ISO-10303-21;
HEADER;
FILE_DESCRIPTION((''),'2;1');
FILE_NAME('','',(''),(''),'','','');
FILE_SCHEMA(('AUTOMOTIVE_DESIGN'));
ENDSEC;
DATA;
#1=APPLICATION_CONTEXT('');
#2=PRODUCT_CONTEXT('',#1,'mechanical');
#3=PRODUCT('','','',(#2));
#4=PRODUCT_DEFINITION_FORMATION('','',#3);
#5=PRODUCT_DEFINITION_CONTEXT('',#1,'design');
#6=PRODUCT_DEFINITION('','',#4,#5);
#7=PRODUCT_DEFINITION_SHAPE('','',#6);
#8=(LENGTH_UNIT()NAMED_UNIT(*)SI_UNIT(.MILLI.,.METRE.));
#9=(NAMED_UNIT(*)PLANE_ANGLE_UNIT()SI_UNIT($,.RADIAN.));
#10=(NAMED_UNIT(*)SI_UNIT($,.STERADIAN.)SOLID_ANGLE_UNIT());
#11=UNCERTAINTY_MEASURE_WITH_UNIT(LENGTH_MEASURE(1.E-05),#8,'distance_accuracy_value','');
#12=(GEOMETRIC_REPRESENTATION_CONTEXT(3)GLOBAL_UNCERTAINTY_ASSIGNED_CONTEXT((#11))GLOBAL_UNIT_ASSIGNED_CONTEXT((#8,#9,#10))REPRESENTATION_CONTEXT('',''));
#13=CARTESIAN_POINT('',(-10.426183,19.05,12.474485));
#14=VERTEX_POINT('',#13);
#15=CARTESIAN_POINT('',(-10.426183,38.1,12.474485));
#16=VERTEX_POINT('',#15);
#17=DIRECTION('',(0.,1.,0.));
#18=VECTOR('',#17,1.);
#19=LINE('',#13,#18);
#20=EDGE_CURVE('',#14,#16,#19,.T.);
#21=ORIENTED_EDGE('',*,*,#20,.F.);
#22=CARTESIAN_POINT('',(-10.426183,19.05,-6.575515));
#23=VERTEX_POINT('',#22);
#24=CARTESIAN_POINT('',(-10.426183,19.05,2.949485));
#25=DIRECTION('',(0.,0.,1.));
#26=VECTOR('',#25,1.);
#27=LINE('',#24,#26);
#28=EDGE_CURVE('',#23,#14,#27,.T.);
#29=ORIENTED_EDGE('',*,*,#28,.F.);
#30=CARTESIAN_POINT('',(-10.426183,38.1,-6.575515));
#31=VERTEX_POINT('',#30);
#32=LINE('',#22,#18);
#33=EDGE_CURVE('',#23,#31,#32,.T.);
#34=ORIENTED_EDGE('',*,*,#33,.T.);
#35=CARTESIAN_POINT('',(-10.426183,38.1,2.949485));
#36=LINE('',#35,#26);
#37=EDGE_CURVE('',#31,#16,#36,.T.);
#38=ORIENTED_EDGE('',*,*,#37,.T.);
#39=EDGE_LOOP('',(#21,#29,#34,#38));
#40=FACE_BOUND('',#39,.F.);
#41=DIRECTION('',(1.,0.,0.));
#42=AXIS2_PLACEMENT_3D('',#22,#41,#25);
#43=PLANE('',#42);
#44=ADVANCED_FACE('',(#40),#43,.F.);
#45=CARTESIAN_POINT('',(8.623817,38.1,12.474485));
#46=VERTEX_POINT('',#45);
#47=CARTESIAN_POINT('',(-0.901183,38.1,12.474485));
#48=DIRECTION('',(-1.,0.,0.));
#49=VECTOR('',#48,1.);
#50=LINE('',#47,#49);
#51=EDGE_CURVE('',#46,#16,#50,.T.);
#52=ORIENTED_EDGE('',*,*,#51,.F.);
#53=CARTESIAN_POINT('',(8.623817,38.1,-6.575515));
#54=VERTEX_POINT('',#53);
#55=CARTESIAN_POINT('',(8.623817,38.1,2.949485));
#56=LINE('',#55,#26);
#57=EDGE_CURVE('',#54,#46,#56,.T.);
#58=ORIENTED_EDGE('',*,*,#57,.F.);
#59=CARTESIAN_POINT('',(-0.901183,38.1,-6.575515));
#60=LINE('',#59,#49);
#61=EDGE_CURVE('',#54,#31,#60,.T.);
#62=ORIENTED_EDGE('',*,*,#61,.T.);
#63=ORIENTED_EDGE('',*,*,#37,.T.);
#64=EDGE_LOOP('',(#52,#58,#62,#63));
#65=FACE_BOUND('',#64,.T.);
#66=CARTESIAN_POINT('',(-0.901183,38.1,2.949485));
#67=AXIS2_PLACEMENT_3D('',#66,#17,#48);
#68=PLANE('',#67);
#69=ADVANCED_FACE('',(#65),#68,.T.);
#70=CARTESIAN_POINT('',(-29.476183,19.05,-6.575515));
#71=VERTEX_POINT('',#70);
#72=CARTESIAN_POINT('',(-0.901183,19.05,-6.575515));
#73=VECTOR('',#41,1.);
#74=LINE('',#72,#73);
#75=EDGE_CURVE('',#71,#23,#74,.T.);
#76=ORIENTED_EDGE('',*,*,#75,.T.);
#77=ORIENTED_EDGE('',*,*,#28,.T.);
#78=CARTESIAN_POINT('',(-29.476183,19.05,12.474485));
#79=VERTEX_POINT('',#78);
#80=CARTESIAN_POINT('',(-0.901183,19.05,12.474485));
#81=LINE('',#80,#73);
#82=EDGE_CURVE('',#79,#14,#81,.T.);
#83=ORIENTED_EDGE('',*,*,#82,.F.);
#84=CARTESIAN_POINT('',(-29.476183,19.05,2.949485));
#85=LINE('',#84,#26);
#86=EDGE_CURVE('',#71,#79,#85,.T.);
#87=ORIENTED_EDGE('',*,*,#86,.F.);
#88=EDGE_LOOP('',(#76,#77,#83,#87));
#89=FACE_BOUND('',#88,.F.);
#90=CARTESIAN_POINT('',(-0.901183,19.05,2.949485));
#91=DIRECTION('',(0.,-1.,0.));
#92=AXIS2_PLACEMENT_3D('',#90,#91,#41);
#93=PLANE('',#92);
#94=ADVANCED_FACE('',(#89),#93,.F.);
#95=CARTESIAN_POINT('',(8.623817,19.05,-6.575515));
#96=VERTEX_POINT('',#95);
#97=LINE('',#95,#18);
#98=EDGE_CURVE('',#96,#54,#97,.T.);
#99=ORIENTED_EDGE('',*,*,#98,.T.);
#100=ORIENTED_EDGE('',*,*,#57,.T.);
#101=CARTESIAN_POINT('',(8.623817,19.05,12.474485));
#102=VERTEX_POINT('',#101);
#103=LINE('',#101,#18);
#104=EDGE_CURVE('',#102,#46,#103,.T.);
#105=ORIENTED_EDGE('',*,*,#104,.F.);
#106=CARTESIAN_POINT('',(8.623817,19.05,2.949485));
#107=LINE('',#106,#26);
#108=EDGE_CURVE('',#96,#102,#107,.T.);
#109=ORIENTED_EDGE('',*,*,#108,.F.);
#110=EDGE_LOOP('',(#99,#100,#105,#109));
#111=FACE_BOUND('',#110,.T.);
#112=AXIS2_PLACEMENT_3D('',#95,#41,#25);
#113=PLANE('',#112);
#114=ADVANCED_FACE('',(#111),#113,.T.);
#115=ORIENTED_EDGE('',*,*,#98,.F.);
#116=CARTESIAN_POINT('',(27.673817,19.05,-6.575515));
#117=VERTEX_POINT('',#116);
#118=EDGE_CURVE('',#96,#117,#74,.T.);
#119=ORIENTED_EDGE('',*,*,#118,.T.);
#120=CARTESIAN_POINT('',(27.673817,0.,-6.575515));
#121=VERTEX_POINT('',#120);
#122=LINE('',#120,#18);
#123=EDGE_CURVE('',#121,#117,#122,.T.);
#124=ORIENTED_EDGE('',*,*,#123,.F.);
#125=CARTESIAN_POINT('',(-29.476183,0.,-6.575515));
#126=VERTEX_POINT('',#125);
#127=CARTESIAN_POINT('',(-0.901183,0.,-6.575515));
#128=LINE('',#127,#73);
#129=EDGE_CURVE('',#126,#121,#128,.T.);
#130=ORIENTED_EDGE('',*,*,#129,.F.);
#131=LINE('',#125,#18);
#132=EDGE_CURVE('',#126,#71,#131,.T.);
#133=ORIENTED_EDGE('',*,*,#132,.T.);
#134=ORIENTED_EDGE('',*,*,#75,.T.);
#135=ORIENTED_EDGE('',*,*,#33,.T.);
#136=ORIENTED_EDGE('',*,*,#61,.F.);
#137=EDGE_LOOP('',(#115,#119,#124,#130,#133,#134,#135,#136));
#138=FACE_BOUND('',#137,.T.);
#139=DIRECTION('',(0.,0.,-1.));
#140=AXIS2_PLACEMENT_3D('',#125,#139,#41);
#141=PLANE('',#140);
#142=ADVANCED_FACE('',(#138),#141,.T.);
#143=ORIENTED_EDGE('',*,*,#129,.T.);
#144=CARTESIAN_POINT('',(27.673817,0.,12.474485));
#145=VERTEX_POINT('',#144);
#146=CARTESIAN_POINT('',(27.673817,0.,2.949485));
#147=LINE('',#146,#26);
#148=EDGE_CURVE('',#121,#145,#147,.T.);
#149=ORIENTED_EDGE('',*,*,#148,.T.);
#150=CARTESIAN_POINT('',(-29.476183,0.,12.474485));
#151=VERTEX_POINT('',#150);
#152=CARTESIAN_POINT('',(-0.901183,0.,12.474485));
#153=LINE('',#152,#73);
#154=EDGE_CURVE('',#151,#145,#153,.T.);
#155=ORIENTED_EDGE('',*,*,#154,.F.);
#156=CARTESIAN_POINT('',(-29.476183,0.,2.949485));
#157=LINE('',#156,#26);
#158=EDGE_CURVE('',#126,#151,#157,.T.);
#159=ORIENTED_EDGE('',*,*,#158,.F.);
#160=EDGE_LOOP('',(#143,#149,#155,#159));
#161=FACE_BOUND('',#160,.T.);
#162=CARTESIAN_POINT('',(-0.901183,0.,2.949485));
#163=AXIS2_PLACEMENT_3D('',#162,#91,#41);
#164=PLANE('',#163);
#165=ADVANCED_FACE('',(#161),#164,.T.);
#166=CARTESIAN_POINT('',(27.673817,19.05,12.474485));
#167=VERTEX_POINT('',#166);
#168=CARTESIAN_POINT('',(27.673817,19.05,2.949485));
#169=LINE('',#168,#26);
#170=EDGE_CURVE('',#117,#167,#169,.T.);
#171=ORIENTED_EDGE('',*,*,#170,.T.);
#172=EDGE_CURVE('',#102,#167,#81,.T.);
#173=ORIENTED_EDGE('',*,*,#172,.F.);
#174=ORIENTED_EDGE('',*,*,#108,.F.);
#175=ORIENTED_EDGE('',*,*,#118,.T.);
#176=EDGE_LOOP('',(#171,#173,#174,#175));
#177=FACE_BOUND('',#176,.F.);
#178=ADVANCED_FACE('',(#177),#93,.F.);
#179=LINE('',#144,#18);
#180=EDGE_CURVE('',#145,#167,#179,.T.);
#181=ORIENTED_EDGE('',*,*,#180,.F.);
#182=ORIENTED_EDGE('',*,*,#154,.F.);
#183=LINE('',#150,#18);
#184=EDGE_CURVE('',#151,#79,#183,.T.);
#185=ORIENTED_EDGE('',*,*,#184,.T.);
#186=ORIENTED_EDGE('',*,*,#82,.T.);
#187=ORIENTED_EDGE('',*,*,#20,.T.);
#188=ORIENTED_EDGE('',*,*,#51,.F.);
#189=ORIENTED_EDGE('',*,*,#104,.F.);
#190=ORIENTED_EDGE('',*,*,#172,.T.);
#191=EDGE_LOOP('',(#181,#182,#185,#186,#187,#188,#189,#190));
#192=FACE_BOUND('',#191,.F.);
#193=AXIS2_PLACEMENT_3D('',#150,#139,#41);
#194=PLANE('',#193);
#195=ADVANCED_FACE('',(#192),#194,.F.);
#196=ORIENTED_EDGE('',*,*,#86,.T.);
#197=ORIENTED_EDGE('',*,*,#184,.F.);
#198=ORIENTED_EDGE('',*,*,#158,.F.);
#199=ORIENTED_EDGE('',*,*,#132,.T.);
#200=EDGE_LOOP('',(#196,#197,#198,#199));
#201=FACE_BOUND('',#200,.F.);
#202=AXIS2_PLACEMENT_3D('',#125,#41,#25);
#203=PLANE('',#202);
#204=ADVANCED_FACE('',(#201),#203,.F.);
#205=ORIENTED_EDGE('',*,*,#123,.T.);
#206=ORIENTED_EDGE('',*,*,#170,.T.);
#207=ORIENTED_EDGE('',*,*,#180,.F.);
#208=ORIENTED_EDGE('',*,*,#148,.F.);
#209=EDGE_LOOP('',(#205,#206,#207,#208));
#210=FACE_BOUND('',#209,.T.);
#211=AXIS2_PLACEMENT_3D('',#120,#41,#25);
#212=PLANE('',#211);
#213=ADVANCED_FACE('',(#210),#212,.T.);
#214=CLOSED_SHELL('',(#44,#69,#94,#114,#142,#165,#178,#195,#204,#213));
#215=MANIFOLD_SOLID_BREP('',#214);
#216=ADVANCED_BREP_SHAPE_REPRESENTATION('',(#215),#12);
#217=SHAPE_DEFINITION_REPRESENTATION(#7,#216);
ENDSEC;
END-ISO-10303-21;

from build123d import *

# Parameters (mm, degrees)
F0_W     = 57.15
F0_H     = 19.05
F1_DEPTH = 19.05
F2_W     = 19.05
F2_H     = 19.05
F3_DEPTH = 19.05


with BuildPart() as f1:
    # F0 (on Front) → F1 (new body)
    with BuildSketch(Plane.XZ):
        with Locations((-0.901183, 2.949485)):
            Rectangle(F0_W, F0_H)
    extrude(amount=-F1_DEPTH)

    # F2 (on face) → F3 (join)
    with BuildSketch(Plane(origin=(0, 19.05, 0), x_dir=(-1, 0, 0), z_dir=(0, 1, 0))):
        with Locations((0.901183, 2.949485)):
            Rectangle(F2_W, F2_H)
    extrude(amount=F3_DEPTH)


solid = f1.part
